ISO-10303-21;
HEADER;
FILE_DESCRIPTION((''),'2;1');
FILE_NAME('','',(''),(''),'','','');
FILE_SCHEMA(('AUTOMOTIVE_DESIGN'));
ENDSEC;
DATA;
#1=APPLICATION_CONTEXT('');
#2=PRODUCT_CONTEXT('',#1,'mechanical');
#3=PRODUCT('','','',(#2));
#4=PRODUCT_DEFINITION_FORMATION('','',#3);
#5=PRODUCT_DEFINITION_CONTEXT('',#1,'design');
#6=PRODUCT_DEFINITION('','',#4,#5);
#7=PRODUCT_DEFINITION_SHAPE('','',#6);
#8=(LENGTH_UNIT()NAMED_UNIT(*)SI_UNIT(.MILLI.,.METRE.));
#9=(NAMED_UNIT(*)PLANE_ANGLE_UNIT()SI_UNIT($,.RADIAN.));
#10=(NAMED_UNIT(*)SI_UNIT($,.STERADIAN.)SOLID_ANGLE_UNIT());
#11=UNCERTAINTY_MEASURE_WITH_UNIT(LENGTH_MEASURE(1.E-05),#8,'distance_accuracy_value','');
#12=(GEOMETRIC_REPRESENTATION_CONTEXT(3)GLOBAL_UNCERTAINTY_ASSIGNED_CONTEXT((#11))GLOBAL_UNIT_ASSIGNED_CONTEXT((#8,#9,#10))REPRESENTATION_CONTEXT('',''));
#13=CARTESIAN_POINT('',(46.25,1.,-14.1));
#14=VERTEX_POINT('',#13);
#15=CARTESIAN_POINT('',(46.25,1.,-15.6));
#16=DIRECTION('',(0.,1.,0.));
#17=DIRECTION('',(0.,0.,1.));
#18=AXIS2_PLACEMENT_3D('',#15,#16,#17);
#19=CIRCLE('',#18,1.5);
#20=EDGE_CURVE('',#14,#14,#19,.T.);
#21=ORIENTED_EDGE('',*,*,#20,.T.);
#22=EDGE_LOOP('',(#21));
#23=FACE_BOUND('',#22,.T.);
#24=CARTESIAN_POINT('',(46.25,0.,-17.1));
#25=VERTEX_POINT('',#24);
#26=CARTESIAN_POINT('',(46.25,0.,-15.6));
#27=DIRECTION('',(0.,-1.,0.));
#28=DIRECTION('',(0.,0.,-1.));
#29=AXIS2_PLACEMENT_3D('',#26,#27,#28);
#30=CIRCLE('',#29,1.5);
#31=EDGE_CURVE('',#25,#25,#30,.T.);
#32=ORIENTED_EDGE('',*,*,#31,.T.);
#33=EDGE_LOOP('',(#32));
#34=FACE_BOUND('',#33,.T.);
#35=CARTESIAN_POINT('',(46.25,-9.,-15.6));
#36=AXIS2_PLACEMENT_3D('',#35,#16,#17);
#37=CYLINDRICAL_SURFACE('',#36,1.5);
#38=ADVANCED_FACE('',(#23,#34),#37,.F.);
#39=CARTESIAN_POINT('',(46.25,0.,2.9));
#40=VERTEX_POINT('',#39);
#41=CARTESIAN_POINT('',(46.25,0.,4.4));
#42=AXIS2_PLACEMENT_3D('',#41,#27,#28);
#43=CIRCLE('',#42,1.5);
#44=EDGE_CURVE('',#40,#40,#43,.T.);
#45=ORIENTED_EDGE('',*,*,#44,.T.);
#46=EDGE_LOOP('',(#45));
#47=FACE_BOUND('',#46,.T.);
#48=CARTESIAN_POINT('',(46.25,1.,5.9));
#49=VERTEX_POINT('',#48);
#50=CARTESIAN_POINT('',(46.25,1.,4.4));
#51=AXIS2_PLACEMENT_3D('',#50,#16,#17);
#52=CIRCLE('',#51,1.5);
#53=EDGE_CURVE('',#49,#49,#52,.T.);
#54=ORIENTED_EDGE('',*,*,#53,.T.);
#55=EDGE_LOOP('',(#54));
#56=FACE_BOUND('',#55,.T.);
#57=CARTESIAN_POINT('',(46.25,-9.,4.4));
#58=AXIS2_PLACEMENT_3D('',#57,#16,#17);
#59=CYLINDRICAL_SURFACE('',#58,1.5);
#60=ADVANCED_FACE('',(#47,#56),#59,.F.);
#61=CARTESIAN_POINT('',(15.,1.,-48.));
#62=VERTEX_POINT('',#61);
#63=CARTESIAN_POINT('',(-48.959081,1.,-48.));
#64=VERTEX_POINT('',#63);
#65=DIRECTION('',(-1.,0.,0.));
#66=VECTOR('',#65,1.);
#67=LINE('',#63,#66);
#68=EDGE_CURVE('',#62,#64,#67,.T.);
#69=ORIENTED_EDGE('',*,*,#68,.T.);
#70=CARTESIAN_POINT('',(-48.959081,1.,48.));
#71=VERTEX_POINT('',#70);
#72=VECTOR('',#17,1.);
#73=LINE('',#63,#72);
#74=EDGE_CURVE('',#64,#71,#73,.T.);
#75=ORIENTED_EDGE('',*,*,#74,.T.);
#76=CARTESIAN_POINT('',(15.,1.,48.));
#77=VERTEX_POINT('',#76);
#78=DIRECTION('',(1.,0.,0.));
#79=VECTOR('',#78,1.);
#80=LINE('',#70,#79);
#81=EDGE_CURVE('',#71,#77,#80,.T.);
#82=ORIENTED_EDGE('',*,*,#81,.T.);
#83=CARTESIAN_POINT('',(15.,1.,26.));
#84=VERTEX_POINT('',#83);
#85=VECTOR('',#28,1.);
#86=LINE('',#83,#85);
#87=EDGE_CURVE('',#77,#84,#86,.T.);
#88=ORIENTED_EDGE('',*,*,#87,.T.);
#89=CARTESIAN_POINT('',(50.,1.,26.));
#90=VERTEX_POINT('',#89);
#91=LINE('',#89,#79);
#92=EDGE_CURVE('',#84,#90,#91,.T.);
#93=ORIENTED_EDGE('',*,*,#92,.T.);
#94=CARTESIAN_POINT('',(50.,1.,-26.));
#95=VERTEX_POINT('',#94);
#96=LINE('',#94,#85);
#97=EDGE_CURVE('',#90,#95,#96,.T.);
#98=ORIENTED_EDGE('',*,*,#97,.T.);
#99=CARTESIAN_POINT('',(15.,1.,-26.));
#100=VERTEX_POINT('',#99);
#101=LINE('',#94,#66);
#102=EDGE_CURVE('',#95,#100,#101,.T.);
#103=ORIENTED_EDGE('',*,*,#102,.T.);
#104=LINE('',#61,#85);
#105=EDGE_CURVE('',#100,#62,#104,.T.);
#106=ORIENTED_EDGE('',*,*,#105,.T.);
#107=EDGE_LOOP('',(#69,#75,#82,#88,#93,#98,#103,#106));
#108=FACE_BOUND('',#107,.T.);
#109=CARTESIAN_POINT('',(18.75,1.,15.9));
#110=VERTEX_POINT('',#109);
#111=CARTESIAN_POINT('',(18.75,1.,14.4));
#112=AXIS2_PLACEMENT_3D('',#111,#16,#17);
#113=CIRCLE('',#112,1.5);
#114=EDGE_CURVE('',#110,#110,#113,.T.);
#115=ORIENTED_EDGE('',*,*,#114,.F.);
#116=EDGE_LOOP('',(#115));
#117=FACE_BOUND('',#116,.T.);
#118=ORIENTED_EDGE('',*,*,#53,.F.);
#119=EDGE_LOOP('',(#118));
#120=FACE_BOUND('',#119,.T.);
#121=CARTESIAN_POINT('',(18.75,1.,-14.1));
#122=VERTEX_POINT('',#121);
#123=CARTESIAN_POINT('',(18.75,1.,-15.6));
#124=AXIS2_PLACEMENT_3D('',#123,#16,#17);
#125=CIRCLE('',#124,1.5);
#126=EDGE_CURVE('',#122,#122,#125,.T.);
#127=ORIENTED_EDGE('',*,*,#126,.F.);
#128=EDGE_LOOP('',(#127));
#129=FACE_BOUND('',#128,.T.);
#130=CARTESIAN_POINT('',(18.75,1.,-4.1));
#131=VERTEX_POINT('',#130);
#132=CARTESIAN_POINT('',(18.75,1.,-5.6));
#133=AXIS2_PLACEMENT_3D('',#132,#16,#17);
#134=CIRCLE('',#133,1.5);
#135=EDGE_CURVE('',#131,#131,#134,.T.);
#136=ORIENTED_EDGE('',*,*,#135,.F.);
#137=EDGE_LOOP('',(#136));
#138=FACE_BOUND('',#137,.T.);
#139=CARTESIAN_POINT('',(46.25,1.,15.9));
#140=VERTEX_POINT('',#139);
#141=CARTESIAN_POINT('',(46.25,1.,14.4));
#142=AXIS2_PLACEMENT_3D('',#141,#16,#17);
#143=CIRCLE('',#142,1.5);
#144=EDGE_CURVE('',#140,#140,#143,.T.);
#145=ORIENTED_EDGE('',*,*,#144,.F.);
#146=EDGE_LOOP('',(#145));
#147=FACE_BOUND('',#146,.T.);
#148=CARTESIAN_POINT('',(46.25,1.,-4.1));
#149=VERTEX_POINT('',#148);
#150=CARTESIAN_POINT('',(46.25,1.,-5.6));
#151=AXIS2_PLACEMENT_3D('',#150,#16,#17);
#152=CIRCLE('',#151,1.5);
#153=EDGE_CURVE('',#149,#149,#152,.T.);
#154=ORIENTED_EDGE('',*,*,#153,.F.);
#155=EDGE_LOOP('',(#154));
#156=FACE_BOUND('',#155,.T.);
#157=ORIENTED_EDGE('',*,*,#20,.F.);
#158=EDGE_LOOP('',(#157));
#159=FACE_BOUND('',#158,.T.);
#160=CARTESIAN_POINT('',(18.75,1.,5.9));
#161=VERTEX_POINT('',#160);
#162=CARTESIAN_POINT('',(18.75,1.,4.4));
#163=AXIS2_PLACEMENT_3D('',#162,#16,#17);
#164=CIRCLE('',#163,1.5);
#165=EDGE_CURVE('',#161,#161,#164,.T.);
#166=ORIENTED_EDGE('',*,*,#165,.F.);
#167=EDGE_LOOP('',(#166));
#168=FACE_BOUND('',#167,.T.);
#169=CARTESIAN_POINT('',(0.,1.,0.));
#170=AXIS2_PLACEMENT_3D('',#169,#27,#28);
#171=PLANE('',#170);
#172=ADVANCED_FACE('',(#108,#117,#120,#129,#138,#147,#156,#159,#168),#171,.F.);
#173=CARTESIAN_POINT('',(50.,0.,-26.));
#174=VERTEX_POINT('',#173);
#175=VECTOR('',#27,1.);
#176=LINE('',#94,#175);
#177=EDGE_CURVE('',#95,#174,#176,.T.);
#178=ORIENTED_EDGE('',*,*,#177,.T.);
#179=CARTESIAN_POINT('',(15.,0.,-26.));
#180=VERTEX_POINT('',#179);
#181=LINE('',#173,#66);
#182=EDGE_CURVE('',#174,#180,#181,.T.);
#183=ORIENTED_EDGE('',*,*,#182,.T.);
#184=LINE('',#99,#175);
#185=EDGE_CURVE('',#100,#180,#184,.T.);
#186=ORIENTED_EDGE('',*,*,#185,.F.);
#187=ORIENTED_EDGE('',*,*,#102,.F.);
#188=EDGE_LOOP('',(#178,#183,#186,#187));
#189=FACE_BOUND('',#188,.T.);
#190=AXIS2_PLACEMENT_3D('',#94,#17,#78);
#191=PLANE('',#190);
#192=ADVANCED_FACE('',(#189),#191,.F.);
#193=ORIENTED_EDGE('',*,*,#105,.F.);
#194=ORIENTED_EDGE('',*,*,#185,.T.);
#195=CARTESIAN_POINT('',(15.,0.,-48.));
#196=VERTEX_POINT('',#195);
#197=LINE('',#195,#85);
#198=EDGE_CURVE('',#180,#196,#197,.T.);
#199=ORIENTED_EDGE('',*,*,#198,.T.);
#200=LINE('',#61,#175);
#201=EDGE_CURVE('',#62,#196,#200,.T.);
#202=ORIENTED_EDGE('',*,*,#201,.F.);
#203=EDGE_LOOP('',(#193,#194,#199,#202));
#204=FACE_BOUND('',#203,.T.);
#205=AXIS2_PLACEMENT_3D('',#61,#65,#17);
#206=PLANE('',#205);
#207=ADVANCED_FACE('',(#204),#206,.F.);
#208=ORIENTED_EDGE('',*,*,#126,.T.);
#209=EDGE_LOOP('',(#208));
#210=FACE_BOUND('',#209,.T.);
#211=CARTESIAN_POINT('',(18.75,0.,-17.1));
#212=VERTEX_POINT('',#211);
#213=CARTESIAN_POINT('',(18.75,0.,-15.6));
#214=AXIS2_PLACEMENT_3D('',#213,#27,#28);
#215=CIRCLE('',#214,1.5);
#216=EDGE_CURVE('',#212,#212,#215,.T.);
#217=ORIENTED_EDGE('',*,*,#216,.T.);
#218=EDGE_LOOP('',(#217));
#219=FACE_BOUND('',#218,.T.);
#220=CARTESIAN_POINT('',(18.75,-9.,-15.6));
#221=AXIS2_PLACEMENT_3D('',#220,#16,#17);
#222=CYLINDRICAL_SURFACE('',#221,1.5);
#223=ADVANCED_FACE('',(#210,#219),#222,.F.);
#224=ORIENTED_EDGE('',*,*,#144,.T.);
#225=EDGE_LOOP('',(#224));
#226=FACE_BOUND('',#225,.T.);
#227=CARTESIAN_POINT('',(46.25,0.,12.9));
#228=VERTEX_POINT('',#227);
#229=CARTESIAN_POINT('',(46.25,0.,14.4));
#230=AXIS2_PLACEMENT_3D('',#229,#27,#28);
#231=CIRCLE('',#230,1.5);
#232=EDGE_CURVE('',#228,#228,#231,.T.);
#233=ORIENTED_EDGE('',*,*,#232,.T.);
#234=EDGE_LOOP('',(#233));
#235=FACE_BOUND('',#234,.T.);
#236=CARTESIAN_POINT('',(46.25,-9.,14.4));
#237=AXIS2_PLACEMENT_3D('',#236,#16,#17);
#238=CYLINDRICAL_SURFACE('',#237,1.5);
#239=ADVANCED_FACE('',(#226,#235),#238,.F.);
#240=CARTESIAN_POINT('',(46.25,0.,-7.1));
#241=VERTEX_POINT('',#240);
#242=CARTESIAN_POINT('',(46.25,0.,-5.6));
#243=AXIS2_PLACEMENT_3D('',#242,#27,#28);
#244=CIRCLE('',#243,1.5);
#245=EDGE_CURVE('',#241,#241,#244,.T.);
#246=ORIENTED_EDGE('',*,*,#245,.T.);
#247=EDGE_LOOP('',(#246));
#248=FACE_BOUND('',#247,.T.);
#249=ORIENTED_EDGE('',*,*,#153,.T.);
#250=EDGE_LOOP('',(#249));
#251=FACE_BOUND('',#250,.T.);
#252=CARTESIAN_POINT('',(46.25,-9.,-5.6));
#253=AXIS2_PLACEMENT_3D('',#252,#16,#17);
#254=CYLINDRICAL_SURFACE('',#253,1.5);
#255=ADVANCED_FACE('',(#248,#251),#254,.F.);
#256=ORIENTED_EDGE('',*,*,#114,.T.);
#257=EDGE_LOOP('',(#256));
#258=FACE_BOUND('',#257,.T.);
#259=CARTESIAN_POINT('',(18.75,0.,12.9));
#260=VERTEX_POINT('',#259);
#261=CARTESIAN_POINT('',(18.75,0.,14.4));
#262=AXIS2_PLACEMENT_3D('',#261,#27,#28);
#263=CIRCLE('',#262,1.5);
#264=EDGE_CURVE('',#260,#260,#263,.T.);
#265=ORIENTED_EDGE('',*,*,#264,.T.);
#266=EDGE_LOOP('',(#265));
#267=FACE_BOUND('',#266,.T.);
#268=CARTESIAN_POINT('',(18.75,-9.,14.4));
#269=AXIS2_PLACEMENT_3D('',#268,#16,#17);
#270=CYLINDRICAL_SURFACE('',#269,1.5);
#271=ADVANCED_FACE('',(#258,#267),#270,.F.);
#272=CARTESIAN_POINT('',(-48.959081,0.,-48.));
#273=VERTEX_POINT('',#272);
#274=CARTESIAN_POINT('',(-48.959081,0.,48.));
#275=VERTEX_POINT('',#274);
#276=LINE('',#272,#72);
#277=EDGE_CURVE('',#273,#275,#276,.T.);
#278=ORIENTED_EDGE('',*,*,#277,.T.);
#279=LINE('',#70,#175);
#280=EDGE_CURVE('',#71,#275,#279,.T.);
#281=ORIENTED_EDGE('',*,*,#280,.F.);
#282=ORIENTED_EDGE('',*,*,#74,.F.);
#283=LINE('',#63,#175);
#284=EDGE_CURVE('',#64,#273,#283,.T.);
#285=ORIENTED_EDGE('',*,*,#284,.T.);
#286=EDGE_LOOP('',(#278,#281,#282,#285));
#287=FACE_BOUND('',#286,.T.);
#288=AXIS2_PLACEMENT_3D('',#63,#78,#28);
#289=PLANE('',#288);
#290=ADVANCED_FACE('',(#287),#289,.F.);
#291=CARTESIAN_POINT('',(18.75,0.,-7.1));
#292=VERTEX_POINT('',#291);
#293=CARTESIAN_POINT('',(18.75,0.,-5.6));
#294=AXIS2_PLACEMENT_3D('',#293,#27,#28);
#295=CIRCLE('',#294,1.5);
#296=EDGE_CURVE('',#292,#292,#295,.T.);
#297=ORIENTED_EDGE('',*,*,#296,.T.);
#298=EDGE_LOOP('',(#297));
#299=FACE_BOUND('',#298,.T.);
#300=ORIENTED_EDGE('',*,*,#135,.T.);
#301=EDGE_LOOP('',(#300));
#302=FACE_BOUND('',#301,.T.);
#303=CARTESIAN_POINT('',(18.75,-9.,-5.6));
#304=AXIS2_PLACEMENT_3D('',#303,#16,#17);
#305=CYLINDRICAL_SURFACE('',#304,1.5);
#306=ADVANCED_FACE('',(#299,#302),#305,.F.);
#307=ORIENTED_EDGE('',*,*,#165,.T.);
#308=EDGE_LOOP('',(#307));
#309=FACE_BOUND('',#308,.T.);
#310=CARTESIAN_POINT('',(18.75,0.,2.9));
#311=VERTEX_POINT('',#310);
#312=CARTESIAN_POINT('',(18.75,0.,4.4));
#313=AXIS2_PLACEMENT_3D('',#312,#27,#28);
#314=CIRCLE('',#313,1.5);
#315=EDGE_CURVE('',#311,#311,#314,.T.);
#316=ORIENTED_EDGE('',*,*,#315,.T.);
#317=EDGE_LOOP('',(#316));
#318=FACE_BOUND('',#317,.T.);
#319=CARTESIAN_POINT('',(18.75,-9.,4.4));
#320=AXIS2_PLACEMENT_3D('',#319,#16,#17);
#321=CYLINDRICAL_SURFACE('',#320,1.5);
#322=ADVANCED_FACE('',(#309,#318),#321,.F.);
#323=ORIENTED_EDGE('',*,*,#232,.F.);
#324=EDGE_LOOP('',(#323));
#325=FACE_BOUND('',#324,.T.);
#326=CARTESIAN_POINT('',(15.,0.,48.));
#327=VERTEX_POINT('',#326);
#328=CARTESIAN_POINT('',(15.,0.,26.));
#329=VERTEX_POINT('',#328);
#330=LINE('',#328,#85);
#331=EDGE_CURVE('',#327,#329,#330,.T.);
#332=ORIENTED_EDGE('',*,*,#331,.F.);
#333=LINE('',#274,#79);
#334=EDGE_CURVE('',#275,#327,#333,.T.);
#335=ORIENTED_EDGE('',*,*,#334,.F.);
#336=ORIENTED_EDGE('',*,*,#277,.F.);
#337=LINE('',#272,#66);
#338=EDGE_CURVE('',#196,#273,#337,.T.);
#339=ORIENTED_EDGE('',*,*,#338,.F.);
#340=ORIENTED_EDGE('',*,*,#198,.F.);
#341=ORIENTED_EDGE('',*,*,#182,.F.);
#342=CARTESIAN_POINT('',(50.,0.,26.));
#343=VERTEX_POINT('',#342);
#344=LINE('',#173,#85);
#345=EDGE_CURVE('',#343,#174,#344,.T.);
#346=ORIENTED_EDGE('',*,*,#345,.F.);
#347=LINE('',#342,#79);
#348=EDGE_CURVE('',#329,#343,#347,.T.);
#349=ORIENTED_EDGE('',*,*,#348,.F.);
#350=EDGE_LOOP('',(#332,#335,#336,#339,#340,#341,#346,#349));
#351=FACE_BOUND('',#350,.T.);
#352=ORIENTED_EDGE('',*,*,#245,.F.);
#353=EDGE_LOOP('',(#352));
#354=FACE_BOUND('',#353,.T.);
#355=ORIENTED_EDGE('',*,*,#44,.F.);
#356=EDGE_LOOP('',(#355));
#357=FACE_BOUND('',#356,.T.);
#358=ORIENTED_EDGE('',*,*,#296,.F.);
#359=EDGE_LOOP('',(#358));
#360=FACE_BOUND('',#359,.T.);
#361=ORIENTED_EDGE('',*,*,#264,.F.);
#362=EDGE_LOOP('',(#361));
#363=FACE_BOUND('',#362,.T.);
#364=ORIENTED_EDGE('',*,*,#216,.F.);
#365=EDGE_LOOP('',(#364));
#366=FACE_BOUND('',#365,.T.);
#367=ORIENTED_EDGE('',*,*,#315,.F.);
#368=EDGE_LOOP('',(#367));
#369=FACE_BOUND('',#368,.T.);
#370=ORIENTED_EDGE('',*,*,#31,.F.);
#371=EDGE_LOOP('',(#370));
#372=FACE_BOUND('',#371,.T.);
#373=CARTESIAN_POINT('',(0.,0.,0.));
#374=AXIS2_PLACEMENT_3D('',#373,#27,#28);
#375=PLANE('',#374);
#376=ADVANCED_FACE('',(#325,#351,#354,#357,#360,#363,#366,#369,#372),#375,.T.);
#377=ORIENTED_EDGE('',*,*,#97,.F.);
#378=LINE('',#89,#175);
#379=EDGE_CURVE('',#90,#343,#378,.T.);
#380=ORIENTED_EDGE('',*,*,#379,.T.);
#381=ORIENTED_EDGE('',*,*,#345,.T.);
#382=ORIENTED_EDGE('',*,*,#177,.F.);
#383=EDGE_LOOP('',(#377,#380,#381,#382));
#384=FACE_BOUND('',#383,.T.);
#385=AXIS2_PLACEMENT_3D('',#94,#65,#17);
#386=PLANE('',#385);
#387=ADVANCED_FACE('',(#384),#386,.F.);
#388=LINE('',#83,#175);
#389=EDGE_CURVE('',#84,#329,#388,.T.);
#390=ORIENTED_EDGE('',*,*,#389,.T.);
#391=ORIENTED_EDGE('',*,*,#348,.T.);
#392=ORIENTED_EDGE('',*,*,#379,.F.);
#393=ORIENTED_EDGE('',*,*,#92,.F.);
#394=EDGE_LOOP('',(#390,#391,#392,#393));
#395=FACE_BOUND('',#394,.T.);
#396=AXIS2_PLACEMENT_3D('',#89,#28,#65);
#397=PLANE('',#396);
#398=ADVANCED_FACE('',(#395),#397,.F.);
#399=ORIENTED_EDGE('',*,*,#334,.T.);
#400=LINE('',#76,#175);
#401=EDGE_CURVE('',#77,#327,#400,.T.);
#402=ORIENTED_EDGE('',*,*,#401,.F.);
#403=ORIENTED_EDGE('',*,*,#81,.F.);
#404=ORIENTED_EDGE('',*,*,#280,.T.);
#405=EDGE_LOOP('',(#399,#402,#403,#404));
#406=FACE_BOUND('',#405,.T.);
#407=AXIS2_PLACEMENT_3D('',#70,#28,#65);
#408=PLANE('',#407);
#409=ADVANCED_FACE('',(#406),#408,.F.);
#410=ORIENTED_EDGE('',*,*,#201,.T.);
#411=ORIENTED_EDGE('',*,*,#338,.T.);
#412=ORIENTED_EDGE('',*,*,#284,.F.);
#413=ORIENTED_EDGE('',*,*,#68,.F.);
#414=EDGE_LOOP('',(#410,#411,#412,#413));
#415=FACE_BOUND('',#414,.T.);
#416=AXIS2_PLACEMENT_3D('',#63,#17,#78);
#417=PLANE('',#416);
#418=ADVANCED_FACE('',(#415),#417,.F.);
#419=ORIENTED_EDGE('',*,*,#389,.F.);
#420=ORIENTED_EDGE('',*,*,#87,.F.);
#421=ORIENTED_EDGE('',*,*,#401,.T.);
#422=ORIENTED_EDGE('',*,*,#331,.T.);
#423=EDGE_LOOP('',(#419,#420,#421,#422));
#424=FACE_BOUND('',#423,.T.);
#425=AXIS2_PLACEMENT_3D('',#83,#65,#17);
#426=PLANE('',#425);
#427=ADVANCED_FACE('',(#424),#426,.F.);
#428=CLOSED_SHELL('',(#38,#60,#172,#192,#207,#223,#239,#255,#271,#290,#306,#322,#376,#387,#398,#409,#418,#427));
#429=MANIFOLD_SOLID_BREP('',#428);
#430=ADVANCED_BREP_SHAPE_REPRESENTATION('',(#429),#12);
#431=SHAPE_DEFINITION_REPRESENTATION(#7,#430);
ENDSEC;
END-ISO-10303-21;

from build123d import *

# Parameters (mm, degrees)
EXTRUDE_1_DEPTH     = 1
SKETCH_2_R          = 1.5
CUT_EXTRUDE_1_DEPTH = 10


with BuildPart() as part:
    # Эскиз1 → Бобышка-Вытянуть1 (new body)
    with BuildSketch(Plane(origin=(0, 0, 0), x_dir=(1, 0, 0), z_dir=(0, 1, 0))):
        Polygon((15, -26), (15, -48), (-48.959081244, -48), (-48.959081244, 48), (15, 48), (15, 26), (50, 26), (50, -26), align=None)
    extrude(amount=EXTRUDE_1_DEPTH)

    # Эскиз2 → Вырез-Вытянуть1 (cut)
    with BuildSketch(Plane(origin=(0, 1, 0), x_dir=(1, 0, 0), z_dir=(0, 1, 0))):
        with Locations(Location((46.25, -14.4, 0), (0, 0, 270))):
            Circle(SKETCH_2_R)
        with Locations(Location((18.75, -14.4, 0), (0, 0, 270))):
            Circle(SKETCH_2_R)
        with Locations(Location((18.75, -4.4, 0), (0, 0, 270))):
            Circle(SKETCH_2_R)
        with Locations(Location((46.25, -4.4, 0), (0, 0, 270))):
            Circle(SKETCH_2_R)
        with Locations(Location((18.75, 5.6, 0), (0, 0, 270))):
            Circle(SKETCH_2_R)
        with Locations(Location((46.25, 5.6, 0), (0, 0, 270))):
            Circle(SKETCH_2_R)
        with Locations(Location((18.75, 15.6, 0), (0, 0, 270))):
            Circle(SKETCH_2_R)
        with Locations(Location((46.25, 15.6, 0), (0, 0, 270))):
            Circle(SKETCH_2_R)
    extrude(amount=-CUT_EXTRUDE_1_DEPTH, mode=Mode.SUBTRACT)


solid = part.part
